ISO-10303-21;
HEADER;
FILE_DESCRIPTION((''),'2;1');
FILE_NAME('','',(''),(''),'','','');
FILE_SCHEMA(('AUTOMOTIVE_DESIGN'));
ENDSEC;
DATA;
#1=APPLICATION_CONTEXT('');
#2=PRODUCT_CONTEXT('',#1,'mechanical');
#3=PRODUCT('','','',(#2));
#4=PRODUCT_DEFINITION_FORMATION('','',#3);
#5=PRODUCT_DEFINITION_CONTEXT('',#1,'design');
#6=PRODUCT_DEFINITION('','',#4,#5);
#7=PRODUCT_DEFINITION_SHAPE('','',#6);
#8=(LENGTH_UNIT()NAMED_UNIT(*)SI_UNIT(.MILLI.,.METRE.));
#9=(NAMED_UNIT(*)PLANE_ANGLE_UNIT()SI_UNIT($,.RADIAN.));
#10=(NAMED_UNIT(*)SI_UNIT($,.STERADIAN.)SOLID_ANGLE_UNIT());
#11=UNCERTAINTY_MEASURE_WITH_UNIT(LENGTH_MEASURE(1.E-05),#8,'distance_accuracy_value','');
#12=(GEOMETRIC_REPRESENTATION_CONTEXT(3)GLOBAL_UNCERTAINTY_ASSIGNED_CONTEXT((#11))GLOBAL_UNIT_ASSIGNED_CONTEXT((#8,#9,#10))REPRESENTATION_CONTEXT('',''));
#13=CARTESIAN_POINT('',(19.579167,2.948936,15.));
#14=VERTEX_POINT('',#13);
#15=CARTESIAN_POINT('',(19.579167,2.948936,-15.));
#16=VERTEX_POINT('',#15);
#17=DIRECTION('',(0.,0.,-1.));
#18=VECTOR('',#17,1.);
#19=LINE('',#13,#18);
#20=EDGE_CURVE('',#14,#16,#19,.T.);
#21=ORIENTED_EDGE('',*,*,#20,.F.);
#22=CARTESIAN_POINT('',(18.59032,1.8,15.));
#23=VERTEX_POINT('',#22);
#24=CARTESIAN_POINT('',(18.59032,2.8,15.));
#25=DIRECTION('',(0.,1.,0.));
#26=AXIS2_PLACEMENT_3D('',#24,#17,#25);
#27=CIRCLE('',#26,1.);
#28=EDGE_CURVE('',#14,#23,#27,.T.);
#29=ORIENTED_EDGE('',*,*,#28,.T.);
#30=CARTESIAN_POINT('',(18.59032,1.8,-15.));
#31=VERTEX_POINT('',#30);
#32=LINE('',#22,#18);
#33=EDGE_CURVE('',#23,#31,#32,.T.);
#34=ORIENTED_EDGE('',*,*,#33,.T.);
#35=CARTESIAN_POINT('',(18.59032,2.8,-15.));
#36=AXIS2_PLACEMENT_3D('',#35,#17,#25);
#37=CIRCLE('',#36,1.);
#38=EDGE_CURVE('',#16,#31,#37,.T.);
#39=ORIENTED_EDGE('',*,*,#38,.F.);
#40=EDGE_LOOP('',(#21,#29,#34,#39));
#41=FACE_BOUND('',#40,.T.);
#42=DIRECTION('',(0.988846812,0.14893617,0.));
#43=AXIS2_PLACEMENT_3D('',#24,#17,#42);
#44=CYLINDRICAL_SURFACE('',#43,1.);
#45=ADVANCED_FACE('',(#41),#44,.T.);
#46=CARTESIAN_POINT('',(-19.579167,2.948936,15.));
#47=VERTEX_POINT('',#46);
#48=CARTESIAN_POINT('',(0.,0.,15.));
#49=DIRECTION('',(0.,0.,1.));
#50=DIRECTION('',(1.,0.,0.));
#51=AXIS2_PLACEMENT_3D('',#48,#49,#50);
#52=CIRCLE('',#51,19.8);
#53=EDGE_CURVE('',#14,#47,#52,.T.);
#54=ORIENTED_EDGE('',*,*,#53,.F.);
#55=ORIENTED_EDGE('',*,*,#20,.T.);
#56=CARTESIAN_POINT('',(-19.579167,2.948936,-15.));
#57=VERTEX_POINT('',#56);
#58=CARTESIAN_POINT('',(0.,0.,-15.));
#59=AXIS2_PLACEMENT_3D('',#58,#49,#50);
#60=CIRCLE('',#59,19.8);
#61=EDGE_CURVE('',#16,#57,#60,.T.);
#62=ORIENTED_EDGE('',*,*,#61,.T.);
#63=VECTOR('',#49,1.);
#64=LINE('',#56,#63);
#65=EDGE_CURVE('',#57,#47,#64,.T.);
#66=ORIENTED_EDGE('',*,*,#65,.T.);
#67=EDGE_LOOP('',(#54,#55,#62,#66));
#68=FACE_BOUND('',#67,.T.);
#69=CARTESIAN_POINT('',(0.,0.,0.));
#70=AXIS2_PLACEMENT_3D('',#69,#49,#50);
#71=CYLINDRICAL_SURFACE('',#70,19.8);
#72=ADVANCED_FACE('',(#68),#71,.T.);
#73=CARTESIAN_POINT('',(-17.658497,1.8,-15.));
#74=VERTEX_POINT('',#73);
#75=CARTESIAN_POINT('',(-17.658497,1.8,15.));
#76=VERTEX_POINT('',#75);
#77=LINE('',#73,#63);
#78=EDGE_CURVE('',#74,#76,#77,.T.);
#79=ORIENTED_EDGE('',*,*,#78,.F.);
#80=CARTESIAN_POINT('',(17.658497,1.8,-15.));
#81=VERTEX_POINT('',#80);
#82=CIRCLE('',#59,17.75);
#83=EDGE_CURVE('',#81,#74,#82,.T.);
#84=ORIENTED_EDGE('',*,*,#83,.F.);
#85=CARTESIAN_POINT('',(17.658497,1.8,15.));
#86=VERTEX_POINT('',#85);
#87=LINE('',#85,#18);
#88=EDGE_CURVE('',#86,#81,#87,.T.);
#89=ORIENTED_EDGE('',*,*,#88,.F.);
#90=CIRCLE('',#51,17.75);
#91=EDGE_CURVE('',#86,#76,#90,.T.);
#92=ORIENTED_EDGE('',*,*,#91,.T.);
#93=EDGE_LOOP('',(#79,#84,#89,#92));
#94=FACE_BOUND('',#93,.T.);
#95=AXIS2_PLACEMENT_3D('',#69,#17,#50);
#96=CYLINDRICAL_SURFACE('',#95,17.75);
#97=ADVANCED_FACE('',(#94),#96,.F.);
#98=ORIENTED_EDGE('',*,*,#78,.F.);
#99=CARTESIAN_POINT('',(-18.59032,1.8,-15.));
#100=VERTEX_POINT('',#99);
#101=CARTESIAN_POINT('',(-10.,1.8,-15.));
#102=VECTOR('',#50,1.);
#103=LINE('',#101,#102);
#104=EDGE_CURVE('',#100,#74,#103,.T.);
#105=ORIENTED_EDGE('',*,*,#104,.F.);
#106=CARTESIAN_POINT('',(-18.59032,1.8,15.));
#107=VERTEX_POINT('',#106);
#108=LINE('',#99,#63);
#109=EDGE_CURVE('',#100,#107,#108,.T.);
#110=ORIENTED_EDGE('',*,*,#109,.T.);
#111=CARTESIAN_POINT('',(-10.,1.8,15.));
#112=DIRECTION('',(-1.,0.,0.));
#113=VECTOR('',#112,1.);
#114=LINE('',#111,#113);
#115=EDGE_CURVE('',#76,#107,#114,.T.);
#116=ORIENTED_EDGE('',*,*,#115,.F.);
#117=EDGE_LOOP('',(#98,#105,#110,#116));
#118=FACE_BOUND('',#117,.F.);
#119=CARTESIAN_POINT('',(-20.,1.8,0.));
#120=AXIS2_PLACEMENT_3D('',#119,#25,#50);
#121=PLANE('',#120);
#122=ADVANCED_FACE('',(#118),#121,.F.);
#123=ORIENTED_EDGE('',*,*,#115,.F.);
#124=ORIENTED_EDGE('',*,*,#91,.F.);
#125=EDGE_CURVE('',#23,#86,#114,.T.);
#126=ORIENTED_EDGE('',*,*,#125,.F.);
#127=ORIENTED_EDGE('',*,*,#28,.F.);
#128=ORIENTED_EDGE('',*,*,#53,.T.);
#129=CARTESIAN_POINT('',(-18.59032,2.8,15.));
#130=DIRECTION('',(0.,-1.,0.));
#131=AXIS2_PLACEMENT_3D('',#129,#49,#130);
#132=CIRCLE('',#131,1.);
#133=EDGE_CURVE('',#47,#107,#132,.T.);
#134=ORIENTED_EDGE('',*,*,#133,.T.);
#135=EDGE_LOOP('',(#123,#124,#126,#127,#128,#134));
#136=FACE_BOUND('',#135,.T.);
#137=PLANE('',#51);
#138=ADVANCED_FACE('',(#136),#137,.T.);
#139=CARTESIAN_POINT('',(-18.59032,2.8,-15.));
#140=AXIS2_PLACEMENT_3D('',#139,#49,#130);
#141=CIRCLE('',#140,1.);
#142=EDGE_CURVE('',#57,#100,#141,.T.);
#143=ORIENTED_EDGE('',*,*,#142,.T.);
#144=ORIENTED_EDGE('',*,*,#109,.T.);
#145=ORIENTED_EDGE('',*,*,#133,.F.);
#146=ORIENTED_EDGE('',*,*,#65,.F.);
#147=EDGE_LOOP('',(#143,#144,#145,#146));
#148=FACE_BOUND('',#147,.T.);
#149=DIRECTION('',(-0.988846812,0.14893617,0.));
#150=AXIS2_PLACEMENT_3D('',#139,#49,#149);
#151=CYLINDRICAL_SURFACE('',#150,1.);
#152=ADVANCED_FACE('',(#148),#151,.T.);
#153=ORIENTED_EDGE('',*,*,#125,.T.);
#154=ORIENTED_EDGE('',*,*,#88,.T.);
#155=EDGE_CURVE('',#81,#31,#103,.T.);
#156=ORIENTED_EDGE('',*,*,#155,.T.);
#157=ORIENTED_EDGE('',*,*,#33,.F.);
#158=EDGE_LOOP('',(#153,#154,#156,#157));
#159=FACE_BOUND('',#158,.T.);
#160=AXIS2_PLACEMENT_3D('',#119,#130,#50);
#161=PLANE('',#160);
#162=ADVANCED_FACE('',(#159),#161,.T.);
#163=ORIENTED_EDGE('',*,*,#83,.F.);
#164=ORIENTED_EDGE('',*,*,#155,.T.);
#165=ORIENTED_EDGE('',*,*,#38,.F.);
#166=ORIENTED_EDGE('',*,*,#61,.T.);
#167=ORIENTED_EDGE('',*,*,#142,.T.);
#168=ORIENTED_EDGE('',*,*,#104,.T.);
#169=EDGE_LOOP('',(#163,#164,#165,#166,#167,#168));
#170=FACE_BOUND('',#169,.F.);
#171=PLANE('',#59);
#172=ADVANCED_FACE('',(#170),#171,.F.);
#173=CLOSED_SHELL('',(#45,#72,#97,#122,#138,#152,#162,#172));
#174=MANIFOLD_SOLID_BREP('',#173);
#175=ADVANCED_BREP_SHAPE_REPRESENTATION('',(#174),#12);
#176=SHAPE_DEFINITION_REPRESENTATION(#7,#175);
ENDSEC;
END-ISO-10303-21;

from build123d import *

# Parameters (mm, degrees)
SKETCH053_R          = 19.8
SKETCH053_R_2        = 17.75
PAD020_DEPTH         = 15
SKETCH054_W          = 40
SKETCH054_H          = 22
POCKET033_DEPTH      = 15.001
POCKET033_DEPTH_BACK = 15.001
FILLET009_R          = 1


with BuildPart() as part:
    # Sketch053 → Pad020 (new body, symmetric)
    with BuildSketch(Plane.XY):
        Circle(SKETCH053_R)
        Circle(SKETCH053_R_2, mode=Mode.SUBTRACT)
    extrude(amount=PAD020_DEPTH, both=True)

    # Sketch054 → Pocket033 (cut, two sides)
    with BuildSketch(Plane.XY) as pocket033_sk:
        with Locations((0, -9.2)):
            Rectangle(SKETCH054_W, SKETCH054_H)
    extrude(amount=-POCKET033_DEPTH, mode=Mode.SUBTRACT)
    extrude(pocket033_sk.sketch, amount=POCKET033_DEPTH_BACK, mode=Mode.SUBTRACT)

    # Fillet009
    fillet009_edges = [part.edges().sort_by_distance(p)[0] for p in [
        (-19.718012, 1.8, 0),
        (19.718012, 1.8, 0),
    ]]
    fillet(fillet009_edges, radius=FILLET009_R)


solid = part.part
